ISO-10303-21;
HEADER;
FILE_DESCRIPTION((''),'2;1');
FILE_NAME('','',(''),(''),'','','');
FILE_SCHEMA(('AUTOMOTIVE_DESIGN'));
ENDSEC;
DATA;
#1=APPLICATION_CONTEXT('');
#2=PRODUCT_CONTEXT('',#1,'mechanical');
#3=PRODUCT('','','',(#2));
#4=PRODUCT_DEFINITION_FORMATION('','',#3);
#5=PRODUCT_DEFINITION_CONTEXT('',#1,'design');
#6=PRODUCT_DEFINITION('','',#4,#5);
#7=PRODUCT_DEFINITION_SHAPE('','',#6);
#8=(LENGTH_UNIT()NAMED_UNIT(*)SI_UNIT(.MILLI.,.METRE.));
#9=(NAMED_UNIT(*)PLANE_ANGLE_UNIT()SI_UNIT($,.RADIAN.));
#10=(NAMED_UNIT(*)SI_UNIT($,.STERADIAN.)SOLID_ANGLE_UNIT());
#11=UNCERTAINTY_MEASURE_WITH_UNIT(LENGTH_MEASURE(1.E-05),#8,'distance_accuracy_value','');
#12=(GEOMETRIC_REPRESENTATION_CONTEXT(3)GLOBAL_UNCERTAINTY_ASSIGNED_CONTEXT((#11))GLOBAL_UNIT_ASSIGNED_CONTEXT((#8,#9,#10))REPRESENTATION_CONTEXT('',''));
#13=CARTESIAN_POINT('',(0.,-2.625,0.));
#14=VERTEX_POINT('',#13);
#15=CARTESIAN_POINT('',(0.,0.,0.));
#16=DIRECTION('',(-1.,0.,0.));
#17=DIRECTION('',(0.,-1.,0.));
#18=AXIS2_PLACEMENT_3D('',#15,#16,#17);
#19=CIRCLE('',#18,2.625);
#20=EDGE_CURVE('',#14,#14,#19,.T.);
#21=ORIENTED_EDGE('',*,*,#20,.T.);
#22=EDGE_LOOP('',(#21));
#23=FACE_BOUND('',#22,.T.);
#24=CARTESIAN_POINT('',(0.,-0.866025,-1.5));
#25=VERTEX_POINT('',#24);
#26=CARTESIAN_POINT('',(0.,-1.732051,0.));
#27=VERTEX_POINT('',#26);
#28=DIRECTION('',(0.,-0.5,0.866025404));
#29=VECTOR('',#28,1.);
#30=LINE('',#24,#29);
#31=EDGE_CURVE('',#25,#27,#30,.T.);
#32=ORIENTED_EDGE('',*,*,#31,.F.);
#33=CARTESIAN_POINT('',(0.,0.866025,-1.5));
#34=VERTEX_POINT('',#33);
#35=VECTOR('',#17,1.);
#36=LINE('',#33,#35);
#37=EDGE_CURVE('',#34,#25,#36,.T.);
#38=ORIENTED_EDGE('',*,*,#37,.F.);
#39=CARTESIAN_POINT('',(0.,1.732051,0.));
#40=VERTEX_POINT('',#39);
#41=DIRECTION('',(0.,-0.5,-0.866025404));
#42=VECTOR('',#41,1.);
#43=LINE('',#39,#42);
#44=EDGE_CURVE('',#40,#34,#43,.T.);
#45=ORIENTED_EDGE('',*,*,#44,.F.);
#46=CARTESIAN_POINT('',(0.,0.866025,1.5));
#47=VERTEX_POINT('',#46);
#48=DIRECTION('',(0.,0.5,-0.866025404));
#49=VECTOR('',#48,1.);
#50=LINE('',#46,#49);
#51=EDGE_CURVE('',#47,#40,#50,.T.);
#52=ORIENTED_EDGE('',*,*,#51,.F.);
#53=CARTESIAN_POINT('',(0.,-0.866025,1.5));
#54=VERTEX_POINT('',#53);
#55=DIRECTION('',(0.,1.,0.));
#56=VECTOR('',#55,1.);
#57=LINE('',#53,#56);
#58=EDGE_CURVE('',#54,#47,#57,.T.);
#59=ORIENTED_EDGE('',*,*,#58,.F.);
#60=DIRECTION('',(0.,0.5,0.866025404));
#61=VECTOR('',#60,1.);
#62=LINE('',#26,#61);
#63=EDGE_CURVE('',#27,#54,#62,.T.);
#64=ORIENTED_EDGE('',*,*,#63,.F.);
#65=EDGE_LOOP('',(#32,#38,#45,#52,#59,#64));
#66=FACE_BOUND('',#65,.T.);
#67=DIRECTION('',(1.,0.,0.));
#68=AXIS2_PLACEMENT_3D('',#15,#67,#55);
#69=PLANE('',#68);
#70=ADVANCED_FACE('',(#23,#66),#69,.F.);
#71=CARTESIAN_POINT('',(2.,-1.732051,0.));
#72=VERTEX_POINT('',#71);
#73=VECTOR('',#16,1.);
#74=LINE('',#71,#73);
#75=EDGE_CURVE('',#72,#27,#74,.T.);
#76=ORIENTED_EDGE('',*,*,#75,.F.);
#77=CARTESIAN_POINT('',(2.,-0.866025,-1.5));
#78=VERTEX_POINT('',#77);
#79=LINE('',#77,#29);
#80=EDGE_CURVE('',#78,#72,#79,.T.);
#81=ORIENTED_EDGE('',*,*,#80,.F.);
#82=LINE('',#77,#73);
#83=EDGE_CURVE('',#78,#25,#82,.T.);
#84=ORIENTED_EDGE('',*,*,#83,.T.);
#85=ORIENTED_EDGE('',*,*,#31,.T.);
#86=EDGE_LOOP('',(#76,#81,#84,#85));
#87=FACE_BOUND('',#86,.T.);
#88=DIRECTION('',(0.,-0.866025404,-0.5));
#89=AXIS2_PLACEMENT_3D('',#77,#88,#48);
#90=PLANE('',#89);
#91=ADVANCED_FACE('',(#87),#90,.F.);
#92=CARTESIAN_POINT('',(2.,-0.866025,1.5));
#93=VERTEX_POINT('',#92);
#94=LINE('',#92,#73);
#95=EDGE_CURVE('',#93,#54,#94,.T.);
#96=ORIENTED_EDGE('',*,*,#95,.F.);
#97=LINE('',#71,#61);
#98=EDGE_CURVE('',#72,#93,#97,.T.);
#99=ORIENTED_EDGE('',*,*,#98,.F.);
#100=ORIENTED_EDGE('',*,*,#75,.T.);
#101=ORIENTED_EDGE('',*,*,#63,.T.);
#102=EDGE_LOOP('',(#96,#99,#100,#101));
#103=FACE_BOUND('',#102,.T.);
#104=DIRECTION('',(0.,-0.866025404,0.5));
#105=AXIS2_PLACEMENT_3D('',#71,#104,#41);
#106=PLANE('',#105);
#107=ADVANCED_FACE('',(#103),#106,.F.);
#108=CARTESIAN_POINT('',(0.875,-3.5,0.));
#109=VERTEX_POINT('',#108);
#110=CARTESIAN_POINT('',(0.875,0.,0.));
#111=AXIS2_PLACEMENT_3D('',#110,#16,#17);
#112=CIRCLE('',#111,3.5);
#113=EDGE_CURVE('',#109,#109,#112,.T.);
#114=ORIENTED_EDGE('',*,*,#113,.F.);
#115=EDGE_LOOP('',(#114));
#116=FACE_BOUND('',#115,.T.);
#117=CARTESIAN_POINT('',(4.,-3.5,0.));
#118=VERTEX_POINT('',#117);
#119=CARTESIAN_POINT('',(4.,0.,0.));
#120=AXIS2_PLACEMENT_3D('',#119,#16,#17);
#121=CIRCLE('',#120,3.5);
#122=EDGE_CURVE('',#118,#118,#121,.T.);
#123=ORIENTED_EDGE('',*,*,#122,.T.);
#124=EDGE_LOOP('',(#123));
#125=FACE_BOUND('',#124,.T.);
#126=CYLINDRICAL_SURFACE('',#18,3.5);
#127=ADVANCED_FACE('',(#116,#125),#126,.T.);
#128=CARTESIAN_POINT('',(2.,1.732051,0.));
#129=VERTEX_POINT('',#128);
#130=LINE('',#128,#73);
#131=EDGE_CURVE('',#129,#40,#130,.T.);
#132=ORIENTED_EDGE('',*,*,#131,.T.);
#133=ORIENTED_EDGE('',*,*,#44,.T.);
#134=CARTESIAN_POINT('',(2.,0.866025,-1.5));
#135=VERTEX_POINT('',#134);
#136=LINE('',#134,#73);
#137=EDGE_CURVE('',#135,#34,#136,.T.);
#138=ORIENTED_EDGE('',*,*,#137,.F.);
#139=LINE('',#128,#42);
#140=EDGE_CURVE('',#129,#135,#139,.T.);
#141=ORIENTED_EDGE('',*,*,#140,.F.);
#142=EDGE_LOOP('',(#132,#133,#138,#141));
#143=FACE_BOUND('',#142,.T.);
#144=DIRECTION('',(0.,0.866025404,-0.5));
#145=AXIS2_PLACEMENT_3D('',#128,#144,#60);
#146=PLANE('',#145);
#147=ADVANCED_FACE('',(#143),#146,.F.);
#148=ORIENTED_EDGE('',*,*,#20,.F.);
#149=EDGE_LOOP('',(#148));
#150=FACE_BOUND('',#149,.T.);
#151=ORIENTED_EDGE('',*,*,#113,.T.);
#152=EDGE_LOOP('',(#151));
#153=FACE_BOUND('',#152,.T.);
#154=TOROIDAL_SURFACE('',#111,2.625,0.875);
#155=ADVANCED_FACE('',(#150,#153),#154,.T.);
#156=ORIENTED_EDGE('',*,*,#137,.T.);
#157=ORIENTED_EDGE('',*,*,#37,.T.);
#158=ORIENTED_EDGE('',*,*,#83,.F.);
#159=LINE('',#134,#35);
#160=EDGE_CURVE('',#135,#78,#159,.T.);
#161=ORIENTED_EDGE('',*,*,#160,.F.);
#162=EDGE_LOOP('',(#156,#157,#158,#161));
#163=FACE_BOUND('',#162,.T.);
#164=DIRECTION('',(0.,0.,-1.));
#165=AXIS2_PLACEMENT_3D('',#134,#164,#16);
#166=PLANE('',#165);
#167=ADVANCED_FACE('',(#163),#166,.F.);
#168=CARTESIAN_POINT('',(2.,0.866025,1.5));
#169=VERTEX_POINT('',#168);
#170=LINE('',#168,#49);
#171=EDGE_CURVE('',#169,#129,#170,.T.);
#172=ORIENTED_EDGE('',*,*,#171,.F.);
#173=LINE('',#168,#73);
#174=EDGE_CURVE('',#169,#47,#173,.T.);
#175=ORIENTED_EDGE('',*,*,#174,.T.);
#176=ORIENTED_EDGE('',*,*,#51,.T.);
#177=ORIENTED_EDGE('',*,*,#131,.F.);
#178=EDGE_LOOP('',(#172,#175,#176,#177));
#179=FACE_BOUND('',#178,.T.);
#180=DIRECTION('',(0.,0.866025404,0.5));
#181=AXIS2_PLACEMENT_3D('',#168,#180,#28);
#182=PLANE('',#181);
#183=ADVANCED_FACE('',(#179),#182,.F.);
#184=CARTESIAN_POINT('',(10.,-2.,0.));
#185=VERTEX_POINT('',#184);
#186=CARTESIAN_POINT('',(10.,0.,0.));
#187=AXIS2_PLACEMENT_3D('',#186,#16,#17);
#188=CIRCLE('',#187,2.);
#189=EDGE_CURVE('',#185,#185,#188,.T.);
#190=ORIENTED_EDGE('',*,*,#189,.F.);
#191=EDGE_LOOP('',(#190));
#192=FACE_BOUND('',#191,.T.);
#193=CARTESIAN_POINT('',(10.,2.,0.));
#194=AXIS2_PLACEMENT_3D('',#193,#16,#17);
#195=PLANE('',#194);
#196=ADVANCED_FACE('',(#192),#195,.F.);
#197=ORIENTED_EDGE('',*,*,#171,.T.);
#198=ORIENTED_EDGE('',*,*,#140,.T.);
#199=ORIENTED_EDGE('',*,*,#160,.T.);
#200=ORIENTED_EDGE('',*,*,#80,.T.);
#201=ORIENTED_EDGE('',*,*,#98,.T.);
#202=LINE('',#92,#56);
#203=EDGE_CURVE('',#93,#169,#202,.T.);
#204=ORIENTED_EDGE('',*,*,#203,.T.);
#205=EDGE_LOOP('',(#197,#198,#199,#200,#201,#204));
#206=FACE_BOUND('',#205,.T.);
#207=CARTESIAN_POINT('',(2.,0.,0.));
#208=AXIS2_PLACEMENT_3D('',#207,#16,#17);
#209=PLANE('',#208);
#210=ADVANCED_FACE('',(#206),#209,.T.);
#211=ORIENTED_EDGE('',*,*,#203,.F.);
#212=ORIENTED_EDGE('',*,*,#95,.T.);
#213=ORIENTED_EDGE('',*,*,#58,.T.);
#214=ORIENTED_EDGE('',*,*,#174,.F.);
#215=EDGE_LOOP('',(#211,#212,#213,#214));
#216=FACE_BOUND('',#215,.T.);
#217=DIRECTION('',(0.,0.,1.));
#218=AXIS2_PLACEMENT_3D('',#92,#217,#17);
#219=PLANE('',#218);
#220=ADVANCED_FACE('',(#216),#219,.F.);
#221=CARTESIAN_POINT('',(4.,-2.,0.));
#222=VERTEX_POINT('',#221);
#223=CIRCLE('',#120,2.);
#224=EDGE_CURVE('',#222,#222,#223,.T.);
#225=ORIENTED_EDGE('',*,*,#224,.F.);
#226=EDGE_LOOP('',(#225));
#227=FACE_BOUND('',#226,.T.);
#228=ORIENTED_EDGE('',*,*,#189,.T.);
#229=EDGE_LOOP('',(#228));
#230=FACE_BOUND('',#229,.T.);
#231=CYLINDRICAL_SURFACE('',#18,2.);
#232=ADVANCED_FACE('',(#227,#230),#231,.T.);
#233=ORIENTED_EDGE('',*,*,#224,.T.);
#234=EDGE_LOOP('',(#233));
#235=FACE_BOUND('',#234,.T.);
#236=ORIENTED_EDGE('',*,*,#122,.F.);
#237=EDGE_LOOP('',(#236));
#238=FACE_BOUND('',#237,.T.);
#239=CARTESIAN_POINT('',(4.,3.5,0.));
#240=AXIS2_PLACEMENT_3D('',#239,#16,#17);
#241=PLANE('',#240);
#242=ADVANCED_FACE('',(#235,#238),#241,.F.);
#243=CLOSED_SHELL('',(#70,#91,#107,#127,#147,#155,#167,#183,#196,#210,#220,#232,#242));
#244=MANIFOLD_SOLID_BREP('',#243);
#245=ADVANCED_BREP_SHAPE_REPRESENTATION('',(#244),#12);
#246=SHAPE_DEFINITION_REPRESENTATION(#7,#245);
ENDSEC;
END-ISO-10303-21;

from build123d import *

# Parameters (mm, degrees)
CUT_EXTRUDE1_DEPTH = 2


with BuildPart() as part:
    # Sketch1 → Revolve1 (revolve)
    with BuildSketch(Plane.XY, mode=Mode.PRIVATE) as revolve1_sk:
        with BuildLine():
            Line((0, 0), (0, 2.625))
            ThreePointArc((0, 2.625), (0.256281566, 3.243718434), (0.875, 3.5))
            Line((0.875, 3.5), (4, 3.5))
            Line((4, 3.5), (4, 2))
            Line((4, 2), (10, 2))
            Line((10, 2), (10, 0))
            Line((10, 0), (0, 0))
        make_face()
    revolve(revolve1_sk.sketch.rotate(Axis((0, 0, 0), (1, 0, 0)), 180), axis=Axis((0, 0, 0), (1, 0, 0)))

    # Sketch2 → Cut-Extrude1 (cut)
    with BuildSketch(Plane.ZY):
        Polygon((0, 1.732050808), (-1.5, 0.866025404), (-1.5, -0.866025404), (0, -1.732050808), (1.5, -0.866025404), (1.5, 0.866025404), align=None)
    extrude(amount=-CUT_EXTRUDE1_DEPTH, mode=Mode.SUBTRACT)


solid = part.part
